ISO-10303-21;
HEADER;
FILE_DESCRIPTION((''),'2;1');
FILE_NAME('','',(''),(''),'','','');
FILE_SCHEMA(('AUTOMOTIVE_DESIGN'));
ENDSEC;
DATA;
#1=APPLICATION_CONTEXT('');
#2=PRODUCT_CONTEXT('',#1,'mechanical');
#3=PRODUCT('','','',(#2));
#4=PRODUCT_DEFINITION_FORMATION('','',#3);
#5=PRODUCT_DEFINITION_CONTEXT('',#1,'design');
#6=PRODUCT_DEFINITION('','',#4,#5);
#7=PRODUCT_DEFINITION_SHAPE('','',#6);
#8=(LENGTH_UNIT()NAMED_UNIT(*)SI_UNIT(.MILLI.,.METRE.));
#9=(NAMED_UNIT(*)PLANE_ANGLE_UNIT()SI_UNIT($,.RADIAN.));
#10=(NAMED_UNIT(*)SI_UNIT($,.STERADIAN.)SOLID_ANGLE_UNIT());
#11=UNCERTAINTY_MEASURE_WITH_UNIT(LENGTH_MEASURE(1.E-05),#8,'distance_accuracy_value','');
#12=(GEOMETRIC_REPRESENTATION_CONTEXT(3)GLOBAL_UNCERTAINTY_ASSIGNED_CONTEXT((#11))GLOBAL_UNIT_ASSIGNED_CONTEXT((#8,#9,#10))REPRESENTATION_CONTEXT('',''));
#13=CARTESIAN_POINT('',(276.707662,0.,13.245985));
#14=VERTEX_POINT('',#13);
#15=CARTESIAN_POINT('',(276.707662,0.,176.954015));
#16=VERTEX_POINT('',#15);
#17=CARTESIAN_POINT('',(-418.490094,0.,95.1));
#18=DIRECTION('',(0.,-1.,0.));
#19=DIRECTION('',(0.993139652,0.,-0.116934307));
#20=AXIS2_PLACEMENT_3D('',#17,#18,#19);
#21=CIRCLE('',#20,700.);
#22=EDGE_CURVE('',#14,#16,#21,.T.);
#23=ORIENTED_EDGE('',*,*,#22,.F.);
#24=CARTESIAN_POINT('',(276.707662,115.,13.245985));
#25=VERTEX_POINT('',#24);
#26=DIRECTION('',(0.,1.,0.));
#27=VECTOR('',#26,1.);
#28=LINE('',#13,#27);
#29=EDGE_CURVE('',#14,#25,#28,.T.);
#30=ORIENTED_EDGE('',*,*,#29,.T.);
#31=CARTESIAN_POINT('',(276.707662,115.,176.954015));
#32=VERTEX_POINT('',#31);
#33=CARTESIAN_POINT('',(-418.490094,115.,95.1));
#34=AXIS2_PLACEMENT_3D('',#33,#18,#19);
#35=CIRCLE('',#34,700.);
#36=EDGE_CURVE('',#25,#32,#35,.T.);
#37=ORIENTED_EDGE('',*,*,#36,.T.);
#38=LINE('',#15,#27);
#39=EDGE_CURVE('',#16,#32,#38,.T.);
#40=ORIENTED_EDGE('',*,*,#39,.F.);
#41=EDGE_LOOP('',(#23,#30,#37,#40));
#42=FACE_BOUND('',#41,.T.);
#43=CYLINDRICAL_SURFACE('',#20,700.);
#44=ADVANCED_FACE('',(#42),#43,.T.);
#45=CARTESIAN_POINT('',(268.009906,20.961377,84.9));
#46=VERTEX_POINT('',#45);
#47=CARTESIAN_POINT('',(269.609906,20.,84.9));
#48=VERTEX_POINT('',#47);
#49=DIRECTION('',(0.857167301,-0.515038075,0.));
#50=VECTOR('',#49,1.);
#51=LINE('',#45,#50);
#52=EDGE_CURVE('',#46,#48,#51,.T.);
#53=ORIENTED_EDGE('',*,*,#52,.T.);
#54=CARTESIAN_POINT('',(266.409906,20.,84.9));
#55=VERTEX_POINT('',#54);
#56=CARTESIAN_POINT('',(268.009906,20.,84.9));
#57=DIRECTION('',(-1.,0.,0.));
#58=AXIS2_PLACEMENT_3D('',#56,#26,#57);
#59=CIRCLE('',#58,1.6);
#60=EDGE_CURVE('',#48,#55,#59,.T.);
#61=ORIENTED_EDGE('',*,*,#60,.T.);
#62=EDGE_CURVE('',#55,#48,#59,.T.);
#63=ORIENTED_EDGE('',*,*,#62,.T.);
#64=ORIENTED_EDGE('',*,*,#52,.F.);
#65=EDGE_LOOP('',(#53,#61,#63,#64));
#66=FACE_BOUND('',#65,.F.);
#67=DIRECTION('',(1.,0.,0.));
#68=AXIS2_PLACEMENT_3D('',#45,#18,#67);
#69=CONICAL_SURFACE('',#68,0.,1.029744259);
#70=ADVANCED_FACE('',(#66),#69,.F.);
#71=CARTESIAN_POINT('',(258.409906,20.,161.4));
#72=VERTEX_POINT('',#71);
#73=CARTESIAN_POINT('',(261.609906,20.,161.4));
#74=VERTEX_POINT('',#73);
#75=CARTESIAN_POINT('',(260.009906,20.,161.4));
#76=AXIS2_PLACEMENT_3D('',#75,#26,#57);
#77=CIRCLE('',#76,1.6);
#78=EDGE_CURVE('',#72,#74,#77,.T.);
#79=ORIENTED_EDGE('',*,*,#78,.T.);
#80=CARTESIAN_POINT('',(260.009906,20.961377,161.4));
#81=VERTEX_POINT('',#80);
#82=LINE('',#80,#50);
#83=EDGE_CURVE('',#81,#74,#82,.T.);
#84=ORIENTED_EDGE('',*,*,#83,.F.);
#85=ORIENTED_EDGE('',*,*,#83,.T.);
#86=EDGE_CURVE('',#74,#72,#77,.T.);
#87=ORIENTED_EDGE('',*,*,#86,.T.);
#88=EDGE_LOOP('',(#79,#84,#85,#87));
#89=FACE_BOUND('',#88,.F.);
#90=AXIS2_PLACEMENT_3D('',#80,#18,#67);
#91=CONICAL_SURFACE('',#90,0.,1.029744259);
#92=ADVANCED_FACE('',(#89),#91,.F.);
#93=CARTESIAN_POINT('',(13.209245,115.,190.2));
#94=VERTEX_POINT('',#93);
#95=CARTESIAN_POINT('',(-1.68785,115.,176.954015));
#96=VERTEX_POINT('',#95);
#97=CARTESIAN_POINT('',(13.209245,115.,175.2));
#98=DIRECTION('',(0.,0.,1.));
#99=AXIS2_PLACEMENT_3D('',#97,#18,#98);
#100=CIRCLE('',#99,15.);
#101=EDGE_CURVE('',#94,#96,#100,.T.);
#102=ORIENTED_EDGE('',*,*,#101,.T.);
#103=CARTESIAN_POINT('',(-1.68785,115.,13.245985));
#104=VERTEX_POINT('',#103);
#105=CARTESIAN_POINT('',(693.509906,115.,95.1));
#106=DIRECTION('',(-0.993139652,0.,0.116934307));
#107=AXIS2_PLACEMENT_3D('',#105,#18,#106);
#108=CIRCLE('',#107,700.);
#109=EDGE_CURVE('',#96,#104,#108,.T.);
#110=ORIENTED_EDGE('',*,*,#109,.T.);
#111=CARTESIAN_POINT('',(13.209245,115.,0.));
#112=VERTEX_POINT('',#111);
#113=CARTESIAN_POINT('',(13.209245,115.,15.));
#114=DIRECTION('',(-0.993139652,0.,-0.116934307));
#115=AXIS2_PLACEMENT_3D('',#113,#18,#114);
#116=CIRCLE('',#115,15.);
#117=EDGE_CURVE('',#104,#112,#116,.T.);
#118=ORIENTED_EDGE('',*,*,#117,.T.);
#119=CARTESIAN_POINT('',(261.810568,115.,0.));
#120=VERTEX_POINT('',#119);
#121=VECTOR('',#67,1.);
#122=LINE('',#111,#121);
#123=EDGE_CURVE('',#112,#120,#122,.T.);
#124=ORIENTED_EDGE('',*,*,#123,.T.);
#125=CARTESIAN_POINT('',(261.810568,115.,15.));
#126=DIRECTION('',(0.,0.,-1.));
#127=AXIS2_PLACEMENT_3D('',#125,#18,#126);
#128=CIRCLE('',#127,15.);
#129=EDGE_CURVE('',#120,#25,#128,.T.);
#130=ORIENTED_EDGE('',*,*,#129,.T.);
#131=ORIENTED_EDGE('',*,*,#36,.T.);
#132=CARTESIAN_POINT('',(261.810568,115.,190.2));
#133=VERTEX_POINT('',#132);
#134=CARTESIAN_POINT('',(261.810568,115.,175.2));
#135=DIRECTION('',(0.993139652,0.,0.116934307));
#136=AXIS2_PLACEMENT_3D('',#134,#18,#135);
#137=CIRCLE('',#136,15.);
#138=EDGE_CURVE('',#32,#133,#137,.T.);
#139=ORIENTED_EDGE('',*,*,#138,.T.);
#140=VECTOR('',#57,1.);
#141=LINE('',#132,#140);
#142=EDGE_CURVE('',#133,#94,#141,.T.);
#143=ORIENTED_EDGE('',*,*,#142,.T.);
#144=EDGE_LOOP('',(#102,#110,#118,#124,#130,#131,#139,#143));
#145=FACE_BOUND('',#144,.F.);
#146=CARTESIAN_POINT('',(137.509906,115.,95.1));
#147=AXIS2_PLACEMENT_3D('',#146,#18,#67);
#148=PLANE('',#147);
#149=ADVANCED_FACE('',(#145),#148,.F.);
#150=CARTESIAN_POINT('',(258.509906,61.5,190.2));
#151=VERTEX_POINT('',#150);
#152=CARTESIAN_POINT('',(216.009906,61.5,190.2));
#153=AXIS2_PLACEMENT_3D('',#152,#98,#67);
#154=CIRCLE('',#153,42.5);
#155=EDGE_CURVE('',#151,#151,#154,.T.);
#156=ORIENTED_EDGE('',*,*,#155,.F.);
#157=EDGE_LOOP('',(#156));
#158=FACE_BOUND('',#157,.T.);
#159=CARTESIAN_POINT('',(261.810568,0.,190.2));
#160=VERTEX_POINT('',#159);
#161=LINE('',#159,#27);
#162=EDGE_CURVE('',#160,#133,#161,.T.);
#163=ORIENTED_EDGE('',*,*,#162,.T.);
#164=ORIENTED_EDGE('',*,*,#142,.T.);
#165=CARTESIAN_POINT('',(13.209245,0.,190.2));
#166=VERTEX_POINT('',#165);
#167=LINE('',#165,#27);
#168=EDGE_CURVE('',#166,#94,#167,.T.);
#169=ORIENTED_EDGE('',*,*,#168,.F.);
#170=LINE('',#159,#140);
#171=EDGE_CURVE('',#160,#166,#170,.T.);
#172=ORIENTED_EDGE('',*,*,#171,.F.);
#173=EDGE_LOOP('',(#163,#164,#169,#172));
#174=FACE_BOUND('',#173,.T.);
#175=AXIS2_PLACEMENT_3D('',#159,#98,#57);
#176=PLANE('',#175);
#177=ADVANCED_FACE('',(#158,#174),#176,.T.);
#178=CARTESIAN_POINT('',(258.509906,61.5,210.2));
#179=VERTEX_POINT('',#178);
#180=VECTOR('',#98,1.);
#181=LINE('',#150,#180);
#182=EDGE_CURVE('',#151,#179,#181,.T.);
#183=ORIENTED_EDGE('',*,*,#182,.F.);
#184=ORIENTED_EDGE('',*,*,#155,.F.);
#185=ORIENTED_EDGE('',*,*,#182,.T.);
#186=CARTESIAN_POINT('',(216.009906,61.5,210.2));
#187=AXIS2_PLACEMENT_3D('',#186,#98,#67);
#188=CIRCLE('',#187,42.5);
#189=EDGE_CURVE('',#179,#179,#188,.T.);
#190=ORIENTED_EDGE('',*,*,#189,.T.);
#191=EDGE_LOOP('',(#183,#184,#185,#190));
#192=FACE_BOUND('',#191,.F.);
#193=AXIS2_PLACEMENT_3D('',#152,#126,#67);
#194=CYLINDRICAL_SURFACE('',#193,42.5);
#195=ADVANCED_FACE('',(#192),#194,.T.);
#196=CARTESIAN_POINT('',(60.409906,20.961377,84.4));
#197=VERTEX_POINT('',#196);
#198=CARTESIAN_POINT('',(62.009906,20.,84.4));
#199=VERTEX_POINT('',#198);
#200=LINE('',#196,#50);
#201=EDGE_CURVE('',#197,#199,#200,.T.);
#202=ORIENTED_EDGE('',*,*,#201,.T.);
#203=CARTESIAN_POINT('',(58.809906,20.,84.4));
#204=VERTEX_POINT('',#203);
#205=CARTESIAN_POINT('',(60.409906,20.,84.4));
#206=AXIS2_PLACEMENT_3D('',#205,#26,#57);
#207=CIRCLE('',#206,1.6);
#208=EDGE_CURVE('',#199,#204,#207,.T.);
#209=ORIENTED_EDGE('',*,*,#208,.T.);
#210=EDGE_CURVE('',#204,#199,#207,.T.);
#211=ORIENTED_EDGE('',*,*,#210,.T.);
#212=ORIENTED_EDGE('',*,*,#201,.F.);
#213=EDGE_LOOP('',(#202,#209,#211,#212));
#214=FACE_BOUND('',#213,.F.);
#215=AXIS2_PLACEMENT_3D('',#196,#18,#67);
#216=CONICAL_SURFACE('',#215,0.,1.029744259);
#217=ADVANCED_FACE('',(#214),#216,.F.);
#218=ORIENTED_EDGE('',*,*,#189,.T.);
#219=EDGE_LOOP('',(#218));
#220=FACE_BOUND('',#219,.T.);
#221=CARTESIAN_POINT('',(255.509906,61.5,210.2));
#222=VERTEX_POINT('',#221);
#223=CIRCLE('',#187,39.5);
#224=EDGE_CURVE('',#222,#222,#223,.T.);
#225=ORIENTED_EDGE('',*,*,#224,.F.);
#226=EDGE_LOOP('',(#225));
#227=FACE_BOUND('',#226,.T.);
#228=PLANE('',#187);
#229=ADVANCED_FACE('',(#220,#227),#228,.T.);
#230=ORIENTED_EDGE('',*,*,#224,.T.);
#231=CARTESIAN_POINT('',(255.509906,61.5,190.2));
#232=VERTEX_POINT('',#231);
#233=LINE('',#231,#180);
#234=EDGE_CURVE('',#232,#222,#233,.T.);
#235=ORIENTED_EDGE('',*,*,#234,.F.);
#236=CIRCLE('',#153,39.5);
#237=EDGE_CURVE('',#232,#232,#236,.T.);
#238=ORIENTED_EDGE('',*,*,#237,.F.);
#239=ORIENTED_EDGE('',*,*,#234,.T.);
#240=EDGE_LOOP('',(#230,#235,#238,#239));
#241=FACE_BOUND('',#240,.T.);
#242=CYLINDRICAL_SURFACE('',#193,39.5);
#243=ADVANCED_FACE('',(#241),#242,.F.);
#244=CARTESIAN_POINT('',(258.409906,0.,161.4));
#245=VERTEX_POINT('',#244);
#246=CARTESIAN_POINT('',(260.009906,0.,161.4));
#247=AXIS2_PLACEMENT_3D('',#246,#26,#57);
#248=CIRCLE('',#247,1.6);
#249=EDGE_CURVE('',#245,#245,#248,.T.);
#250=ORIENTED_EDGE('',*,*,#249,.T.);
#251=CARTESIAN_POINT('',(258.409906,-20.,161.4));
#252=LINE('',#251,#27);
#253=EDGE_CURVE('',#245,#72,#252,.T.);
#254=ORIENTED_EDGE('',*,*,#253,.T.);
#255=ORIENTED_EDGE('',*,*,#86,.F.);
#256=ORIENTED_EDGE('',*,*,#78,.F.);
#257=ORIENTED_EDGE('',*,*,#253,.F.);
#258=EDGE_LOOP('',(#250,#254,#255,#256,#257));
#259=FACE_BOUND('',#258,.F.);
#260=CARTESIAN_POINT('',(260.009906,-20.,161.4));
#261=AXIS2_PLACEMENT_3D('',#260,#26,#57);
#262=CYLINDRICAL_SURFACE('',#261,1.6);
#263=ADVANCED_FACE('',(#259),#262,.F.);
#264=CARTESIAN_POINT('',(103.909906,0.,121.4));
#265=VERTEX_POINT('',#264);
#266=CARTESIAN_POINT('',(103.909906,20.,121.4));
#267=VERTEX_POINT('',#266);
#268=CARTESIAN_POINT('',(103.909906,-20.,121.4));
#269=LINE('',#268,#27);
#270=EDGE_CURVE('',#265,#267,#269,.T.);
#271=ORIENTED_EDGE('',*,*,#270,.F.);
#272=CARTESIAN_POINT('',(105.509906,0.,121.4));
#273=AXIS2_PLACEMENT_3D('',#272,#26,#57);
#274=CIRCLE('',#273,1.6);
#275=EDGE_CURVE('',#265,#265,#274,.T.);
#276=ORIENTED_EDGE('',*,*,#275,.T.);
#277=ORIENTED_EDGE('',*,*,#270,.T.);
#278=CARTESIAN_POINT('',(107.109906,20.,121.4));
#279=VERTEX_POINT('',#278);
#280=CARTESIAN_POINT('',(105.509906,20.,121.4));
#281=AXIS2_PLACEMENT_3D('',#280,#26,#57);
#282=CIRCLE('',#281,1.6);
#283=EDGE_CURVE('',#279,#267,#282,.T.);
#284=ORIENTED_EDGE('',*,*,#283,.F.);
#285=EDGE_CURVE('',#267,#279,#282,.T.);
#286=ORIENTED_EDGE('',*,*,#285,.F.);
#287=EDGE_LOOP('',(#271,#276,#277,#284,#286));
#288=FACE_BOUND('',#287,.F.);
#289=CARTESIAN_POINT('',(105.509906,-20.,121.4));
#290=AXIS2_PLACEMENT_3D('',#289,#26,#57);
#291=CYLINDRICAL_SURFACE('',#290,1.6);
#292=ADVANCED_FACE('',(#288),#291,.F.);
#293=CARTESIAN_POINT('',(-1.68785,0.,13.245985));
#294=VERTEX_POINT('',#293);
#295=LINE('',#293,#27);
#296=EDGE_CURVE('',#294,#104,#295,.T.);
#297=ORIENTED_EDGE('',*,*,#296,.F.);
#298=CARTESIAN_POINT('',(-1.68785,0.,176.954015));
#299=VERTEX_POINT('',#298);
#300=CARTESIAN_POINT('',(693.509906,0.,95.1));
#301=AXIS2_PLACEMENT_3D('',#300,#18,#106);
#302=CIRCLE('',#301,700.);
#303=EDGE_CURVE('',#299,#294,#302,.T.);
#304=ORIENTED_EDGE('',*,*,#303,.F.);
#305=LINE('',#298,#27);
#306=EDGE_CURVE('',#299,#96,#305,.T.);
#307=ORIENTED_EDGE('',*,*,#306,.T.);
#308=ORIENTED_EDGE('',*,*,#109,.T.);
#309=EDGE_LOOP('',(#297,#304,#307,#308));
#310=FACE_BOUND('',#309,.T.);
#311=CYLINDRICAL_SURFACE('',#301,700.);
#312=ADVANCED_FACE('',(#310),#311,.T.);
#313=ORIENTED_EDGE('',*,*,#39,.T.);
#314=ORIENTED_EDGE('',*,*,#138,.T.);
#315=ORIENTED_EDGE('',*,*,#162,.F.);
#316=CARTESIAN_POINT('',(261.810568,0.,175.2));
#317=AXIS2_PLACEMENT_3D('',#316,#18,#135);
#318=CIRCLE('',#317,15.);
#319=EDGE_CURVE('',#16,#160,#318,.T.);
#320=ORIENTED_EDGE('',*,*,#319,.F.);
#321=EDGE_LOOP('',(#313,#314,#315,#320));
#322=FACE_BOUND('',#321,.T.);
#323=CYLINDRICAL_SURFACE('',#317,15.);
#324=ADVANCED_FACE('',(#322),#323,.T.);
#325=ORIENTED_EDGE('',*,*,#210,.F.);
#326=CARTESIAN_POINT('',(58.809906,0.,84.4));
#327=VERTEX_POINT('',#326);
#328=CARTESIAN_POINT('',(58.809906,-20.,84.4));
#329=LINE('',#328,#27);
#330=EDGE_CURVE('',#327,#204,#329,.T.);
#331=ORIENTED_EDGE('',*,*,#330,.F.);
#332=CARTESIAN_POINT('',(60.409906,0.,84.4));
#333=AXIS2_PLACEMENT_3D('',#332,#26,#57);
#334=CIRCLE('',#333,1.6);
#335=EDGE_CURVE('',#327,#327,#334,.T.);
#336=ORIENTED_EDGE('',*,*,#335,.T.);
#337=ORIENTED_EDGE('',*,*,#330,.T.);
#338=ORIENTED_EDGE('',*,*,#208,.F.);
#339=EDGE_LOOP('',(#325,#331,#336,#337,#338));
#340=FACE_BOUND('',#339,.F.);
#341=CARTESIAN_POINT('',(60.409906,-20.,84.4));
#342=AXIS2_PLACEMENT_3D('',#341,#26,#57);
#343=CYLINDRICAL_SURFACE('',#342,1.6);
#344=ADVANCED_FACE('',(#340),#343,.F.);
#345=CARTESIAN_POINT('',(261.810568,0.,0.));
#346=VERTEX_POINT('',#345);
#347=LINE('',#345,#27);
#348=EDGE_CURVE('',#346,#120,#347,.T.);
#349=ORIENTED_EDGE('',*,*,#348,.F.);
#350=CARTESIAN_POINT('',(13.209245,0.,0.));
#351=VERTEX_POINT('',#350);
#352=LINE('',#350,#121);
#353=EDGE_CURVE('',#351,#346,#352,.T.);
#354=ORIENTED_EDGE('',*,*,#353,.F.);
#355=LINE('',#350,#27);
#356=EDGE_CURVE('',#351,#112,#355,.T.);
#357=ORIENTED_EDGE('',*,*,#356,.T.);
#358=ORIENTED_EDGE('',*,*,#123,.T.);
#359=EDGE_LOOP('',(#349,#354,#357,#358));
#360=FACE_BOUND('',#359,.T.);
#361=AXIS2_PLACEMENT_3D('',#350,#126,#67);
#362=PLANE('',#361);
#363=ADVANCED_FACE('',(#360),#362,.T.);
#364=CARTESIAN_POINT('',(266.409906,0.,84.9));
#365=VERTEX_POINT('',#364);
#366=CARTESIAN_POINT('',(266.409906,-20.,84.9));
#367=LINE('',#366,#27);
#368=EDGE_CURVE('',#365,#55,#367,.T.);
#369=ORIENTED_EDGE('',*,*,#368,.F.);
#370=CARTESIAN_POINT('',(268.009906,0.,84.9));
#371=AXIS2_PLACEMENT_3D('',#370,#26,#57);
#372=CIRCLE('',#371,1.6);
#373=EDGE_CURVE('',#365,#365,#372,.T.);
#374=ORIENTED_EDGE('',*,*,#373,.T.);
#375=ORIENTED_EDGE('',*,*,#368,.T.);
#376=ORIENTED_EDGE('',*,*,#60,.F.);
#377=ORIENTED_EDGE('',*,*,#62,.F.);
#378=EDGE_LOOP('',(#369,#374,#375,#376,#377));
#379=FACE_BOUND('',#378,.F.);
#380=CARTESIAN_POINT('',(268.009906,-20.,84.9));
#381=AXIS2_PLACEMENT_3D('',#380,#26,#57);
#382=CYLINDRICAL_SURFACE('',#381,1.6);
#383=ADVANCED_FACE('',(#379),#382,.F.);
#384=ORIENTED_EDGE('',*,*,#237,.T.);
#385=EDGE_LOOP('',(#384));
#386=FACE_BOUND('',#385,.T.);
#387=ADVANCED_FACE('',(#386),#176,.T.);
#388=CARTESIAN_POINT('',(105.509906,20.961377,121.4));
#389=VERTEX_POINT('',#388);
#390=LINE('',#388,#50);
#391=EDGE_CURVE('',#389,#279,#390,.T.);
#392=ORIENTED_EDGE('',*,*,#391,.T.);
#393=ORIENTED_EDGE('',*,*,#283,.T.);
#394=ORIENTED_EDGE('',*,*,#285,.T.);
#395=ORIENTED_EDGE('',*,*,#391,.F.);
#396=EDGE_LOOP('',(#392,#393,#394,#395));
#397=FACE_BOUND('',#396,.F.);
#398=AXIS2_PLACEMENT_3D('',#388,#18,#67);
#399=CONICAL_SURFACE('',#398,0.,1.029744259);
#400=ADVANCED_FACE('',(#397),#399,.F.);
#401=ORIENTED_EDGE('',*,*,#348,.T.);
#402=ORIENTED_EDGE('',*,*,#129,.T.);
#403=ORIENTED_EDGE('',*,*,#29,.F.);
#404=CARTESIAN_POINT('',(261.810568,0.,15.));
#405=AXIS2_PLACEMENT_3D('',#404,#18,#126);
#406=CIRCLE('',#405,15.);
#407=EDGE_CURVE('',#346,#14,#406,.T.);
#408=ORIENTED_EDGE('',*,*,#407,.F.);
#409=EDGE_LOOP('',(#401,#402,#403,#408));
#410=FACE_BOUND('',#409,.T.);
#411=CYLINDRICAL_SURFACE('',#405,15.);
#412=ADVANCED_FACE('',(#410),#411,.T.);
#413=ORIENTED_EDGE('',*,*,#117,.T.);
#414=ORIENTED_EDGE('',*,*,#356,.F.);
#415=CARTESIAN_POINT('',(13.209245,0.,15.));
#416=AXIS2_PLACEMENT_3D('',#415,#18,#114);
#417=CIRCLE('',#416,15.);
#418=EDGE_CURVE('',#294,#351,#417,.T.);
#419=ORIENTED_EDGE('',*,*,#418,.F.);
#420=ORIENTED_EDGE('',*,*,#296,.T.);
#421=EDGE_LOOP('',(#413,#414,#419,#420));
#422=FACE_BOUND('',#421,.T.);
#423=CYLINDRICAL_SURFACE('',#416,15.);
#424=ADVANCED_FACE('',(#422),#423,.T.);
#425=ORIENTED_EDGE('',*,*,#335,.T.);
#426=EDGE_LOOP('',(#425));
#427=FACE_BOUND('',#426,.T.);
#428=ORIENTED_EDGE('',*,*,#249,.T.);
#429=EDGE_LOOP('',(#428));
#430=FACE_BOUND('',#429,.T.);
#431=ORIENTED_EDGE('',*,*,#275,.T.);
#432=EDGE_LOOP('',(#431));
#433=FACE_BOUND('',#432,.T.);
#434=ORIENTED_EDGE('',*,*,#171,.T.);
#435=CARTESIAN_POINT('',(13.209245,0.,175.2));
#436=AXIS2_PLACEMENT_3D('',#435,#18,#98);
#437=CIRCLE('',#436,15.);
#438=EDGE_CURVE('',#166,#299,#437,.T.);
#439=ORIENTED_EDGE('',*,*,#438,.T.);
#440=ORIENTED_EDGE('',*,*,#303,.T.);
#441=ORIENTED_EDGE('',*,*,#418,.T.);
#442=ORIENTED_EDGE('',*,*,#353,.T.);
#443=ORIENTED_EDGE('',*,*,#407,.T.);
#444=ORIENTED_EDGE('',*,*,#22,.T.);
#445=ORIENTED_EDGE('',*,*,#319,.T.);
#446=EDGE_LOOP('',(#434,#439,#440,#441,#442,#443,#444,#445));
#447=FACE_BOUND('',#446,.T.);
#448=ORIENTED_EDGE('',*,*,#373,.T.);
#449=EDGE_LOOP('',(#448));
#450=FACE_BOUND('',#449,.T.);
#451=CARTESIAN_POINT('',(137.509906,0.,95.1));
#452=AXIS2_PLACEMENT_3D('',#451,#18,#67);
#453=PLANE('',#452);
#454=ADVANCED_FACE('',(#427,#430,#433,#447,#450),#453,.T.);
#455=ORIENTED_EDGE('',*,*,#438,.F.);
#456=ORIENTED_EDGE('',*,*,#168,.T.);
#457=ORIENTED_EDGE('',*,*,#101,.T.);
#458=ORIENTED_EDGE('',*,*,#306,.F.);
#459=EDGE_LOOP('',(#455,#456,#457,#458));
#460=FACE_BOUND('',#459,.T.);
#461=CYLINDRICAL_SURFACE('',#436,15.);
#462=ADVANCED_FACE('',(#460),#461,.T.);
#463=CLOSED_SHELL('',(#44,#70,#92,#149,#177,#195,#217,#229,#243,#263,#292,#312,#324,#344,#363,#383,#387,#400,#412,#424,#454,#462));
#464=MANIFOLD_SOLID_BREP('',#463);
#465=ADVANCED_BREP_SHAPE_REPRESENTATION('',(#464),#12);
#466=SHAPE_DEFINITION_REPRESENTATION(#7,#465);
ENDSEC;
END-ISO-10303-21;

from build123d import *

# Parameters (mm, degrees)
F1_DEPTH = 115
F2_D     = 3.2
F2_DEPTH = 20
F2_TIP   = 0.9613769904
F3_R     = 42.5
F3_R_2   = 39.5
F4_DEPTH = 20


with BuildPart() as f1:
    # F0 (on Front) → F1 (new body)
    with BuildSketch(Plane.XZ):
        with BuildLine():
            ThreePointArc((-1.6878500476, 13.2459854015), (3.2420540262, 3.7904010112), (13.2092447292, 0))
            Line((13.2092447292, 0), (261.8105676743, 0))
            ThreePointArc((261.8105676743, 0), (271.7777583774, 3.7904010112), (276.7076624511, 13.2459854015))
            ThreePointArc((276.7076624511, 13.2459854015), (281.5099062018, 95.1), (276.7076624511, 176.9540145985))
            ThreePointArc((276.7076624511, 176.9540145985), (271.7777583774, 186.4095989888), (261.8105676743, 190.2))
            Line((261.8105676743, 190.2), (13.2092447292, 190.2))
            ThreePointArc((13.2092447292, 190.2), (3.2420540262, 186.4095989888), (-1.6878500476, 176.9540145985))
            ThreePointArc((-1.6878500476, 176.9540145985), (-6.4900937982, 95.1), (-1.6878500476, 13.2459854015))
        make_face()
    extrude(amount=-F1_DEPTH)

    # F2
    with Locations(Plane.XZ):
        with Locations((60.4099062018, 84.4), (105.5099062018, 121.4), (268.0099062018, 84.9), (260.0099062018, 161.4)):
            Hole(F2_D / 2, depth=F2_DEPTH)
            with Locations((0, 0, -(F2_DEPTH + F2_TIP / 2))):  # 118° drill point
                Cone(0, F2_D / 2, F2_TIP, mode=Mode.SUBTRACT)

    # F3 (on face) → F4 (join)
    with BuildSketch(Plane.XY.offset(190.2)):
        with Locations((216.0099062018, 61.5)):
            Circle(F3_R)
        with Locations((216.0099062018, 61.5)):
            Circle(F3_R_2, mode=Mode.SUBTRACT)
    extrude(amount=F4_DEPTH)


solid = f1.part
